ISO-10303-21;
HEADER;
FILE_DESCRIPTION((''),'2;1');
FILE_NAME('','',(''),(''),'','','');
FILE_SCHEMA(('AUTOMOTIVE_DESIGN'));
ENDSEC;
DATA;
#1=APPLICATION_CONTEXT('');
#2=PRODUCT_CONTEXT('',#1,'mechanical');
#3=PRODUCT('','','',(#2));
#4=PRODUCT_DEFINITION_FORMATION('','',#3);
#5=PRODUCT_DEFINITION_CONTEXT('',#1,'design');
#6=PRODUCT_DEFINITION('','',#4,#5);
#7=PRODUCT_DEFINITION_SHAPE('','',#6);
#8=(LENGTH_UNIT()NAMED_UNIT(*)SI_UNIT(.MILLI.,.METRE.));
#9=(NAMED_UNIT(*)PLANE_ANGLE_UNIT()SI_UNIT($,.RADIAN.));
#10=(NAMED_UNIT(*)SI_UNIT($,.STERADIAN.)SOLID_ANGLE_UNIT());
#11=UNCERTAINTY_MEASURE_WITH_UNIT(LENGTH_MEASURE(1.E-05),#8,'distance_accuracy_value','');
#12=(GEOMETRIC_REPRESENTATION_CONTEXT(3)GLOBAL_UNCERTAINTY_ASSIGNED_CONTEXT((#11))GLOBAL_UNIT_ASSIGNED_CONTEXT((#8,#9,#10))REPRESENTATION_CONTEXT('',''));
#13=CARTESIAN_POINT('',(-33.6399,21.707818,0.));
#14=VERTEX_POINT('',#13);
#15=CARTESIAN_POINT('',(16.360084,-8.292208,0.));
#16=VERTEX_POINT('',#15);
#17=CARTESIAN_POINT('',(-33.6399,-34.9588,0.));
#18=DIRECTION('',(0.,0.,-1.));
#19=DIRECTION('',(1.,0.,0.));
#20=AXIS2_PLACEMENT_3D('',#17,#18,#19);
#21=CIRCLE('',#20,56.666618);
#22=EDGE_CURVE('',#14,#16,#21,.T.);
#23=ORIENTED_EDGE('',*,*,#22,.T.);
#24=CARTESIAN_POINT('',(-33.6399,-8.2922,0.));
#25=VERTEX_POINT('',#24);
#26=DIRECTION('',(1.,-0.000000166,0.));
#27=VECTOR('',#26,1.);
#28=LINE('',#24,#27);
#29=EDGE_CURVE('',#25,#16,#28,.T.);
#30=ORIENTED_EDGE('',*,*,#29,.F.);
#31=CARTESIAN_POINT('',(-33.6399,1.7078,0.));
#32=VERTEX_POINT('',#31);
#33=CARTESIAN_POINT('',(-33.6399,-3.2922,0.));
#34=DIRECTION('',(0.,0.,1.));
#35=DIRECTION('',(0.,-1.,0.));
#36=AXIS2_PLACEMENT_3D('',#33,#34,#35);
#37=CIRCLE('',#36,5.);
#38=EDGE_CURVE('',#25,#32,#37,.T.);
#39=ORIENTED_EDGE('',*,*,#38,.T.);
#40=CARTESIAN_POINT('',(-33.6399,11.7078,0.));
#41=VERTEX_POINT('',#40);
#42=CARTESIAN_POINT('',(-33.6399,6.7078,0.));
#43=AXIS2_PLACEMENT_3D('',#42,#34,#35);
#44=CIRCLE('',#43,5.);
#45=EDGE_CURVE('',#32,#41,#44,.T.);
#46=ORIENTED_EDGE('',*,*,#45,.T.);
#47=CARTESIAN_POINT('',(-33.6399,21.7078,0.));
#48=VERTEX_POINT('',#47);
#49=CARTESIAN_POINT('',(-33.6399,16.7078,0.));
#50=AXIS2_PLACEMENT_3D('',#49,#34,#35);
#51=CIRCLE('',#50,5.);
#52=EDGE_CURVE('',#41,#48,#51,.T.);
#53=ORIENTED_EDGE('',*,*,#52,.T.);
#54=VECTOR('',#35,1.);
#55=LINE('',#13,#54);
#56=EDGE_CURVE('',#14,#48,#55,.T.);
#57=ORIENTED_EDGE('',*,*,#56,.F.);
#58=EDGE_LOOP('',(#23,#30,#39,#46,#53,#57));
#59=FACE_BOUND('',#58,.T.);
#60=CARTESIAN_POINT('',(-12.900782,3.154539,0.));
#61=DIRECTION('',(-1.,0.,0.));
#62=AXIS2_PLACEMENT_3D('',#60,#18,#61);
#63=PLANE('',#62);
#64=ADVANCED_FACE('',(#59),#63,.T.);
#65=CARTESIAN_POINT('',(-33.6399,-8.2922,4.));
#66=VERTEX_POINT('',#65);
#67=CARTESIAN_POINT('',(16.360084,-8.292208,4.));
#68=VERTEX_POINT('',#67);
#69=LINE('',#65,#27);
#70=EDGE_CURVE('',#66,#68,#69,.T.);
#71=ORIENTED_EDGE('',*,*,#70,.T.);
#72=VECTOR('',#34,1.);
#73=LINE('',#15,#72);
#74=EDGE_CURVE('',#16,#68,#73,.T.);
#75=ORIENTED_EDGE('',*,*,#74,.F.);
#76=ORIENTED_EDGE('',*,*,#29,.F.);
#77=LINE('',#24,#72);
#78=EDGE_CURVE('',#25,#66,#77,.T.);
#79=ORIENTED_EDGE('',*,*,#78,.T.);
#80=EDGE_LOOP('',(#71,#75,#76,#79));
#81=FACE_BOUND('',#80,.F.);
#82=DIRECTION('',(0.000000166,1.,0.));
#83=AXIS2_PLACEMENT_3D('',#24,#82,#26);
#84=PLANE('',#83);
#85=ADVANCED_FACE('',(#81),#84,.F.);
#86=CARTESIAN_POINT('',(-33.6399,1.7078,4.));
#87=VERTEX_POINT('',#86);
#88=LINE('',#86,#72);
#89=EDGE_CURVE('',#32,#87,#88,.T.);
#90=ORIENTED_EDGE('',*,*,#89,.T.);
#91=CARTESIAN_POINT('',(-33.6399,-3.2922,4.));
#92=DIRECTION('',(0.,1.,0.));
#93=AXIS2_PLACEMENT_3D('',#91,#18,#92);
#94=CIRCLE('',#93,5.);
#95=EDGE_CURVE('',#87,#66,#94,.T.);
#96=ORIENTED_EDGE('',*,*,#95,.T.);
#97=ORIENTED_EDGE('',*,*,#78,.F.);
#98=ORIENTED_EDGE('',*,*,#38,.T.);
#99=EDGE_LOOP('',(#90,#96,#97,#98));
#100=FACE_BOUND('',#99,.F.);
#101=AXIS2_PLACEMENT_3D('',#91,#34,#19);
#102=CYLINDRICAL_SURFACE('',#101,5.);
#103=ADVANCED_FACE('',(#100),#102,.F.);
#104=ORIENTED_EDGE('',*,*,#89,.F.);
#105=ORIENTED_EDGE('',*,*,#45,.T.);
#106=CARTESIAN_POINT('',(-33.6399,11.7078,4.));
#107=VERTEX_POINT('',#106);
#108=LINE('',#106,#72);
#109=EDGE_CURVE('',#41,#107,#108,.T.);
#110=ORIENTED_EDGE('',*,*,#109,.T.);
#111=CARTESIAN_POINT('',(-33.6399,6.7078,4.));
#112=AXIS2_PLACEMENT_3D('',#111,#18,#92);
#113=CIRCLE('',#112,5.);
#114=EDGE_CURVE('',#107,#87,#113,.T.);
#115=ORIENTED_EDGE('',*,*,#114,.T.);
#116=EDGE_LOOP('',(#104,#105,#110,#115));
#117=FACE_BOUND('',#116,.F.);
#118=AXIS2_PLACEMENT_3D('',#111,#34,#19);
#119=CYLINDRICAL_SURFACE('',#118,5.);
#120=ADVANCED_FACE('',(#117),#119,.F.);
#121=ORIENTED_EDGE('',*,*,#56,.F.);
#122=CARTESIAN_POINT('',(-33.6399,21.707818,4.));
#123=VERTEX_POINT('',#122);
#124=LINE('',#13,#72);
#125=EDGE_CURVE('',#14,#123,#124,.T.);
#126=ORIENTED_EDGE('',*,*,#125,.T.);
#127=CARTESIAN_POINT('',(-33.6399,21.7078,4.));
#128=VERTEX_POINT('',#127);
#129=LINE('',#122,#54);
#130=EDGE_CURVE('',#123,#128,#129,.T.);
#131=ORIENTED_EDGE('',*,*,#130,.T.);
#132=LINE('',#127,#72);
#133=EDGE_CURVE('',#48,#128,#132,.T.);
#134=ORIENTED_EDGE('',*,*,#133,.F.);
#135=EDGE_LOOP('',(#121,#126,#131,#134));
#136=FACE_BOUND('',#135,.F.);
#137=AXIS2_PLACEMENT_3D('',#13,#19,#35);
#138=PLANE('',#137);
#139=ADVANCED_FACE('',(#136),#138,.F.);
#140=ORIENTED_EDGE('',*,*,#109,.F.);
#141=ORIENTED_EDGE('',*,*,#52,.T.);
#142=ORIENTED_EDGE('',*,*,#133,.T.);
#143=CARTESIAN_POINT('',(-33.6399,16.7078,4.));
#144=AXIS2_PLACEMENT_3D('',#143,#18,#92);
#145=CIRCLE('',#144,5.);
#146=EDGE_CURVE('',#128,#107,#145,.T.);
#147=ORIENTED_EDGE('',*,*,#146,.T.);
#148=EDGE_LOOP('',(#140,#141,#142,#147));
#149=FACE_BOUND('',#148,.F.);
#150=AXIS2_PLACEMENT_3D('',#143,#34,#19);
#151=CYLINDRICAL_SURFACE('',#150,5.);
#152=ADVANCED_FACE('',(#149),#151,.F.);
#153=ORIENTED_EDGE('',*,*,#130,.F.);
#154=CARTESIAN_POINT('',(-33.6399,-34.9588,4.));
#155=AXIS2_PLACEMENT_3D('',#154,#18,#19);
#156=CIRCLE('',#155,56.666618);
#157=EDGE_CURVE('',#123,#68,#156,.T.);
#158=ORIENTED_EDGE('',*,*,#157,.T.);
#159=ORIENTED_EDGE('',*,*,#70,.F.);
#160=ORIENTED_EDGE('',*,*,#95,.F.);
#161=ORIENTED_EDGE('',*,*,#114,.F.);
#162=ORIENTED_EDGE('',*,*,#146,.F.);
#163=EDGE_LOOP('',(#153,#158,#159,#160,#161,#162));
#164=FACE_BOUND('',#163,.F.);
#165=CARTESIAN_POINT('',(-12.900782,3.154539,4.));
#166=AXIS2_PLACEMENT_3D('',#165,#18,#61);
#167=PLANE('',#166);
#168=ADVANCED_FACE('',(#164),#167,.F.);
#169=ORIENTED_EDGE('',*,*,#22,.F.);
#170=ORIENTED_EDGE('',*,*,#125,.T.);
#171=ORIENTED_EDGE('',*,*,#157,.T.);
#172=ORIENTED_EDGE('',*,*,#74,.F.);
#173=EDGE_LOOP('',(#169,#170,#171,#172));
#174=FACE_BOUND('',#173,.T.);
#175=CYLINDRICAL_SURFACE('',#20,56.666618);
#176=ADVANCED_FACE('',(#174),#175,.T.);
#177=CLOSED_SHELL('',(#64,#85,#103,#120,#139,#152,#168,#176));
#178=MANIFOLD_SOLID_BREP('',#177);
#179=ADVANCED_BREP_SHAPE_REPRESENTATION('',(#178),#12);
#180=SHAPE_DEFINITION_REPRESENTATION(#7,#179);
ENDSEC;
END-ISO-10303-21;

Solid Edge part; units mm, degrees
sketch "Sketch1" plane through (0, 0, 0) normal (0, 0, 1) x (1, 0, 0)
  arc A0 (-33.6399, 21.7078) -> (16.3601, -8.2922) centre (-33.6399, -34.9588) cw
  line L0 (-33.6399, -8.2922) -> (16.3601, -8.2922)
  line L1 (-33.6399, 21.7078) -> (-33.6399, -8.2922)
extrude "Protrusion1" add sketch "Sketch1" along normal blind 4
sketch "Sketch2" plane through (-8.6399, 6.7078, 4) normal (0, 0, 1) x (1, 0, 0)
  circle A0 centre (-25, 10) radius 5
  circle A1 centre (-25, 0) radius 5
  circle A2 centre (-25, -10) radius 5
extrude "ExtrudedCutout_1" cut sketch "Sketch2" against normal blind 19.7425
